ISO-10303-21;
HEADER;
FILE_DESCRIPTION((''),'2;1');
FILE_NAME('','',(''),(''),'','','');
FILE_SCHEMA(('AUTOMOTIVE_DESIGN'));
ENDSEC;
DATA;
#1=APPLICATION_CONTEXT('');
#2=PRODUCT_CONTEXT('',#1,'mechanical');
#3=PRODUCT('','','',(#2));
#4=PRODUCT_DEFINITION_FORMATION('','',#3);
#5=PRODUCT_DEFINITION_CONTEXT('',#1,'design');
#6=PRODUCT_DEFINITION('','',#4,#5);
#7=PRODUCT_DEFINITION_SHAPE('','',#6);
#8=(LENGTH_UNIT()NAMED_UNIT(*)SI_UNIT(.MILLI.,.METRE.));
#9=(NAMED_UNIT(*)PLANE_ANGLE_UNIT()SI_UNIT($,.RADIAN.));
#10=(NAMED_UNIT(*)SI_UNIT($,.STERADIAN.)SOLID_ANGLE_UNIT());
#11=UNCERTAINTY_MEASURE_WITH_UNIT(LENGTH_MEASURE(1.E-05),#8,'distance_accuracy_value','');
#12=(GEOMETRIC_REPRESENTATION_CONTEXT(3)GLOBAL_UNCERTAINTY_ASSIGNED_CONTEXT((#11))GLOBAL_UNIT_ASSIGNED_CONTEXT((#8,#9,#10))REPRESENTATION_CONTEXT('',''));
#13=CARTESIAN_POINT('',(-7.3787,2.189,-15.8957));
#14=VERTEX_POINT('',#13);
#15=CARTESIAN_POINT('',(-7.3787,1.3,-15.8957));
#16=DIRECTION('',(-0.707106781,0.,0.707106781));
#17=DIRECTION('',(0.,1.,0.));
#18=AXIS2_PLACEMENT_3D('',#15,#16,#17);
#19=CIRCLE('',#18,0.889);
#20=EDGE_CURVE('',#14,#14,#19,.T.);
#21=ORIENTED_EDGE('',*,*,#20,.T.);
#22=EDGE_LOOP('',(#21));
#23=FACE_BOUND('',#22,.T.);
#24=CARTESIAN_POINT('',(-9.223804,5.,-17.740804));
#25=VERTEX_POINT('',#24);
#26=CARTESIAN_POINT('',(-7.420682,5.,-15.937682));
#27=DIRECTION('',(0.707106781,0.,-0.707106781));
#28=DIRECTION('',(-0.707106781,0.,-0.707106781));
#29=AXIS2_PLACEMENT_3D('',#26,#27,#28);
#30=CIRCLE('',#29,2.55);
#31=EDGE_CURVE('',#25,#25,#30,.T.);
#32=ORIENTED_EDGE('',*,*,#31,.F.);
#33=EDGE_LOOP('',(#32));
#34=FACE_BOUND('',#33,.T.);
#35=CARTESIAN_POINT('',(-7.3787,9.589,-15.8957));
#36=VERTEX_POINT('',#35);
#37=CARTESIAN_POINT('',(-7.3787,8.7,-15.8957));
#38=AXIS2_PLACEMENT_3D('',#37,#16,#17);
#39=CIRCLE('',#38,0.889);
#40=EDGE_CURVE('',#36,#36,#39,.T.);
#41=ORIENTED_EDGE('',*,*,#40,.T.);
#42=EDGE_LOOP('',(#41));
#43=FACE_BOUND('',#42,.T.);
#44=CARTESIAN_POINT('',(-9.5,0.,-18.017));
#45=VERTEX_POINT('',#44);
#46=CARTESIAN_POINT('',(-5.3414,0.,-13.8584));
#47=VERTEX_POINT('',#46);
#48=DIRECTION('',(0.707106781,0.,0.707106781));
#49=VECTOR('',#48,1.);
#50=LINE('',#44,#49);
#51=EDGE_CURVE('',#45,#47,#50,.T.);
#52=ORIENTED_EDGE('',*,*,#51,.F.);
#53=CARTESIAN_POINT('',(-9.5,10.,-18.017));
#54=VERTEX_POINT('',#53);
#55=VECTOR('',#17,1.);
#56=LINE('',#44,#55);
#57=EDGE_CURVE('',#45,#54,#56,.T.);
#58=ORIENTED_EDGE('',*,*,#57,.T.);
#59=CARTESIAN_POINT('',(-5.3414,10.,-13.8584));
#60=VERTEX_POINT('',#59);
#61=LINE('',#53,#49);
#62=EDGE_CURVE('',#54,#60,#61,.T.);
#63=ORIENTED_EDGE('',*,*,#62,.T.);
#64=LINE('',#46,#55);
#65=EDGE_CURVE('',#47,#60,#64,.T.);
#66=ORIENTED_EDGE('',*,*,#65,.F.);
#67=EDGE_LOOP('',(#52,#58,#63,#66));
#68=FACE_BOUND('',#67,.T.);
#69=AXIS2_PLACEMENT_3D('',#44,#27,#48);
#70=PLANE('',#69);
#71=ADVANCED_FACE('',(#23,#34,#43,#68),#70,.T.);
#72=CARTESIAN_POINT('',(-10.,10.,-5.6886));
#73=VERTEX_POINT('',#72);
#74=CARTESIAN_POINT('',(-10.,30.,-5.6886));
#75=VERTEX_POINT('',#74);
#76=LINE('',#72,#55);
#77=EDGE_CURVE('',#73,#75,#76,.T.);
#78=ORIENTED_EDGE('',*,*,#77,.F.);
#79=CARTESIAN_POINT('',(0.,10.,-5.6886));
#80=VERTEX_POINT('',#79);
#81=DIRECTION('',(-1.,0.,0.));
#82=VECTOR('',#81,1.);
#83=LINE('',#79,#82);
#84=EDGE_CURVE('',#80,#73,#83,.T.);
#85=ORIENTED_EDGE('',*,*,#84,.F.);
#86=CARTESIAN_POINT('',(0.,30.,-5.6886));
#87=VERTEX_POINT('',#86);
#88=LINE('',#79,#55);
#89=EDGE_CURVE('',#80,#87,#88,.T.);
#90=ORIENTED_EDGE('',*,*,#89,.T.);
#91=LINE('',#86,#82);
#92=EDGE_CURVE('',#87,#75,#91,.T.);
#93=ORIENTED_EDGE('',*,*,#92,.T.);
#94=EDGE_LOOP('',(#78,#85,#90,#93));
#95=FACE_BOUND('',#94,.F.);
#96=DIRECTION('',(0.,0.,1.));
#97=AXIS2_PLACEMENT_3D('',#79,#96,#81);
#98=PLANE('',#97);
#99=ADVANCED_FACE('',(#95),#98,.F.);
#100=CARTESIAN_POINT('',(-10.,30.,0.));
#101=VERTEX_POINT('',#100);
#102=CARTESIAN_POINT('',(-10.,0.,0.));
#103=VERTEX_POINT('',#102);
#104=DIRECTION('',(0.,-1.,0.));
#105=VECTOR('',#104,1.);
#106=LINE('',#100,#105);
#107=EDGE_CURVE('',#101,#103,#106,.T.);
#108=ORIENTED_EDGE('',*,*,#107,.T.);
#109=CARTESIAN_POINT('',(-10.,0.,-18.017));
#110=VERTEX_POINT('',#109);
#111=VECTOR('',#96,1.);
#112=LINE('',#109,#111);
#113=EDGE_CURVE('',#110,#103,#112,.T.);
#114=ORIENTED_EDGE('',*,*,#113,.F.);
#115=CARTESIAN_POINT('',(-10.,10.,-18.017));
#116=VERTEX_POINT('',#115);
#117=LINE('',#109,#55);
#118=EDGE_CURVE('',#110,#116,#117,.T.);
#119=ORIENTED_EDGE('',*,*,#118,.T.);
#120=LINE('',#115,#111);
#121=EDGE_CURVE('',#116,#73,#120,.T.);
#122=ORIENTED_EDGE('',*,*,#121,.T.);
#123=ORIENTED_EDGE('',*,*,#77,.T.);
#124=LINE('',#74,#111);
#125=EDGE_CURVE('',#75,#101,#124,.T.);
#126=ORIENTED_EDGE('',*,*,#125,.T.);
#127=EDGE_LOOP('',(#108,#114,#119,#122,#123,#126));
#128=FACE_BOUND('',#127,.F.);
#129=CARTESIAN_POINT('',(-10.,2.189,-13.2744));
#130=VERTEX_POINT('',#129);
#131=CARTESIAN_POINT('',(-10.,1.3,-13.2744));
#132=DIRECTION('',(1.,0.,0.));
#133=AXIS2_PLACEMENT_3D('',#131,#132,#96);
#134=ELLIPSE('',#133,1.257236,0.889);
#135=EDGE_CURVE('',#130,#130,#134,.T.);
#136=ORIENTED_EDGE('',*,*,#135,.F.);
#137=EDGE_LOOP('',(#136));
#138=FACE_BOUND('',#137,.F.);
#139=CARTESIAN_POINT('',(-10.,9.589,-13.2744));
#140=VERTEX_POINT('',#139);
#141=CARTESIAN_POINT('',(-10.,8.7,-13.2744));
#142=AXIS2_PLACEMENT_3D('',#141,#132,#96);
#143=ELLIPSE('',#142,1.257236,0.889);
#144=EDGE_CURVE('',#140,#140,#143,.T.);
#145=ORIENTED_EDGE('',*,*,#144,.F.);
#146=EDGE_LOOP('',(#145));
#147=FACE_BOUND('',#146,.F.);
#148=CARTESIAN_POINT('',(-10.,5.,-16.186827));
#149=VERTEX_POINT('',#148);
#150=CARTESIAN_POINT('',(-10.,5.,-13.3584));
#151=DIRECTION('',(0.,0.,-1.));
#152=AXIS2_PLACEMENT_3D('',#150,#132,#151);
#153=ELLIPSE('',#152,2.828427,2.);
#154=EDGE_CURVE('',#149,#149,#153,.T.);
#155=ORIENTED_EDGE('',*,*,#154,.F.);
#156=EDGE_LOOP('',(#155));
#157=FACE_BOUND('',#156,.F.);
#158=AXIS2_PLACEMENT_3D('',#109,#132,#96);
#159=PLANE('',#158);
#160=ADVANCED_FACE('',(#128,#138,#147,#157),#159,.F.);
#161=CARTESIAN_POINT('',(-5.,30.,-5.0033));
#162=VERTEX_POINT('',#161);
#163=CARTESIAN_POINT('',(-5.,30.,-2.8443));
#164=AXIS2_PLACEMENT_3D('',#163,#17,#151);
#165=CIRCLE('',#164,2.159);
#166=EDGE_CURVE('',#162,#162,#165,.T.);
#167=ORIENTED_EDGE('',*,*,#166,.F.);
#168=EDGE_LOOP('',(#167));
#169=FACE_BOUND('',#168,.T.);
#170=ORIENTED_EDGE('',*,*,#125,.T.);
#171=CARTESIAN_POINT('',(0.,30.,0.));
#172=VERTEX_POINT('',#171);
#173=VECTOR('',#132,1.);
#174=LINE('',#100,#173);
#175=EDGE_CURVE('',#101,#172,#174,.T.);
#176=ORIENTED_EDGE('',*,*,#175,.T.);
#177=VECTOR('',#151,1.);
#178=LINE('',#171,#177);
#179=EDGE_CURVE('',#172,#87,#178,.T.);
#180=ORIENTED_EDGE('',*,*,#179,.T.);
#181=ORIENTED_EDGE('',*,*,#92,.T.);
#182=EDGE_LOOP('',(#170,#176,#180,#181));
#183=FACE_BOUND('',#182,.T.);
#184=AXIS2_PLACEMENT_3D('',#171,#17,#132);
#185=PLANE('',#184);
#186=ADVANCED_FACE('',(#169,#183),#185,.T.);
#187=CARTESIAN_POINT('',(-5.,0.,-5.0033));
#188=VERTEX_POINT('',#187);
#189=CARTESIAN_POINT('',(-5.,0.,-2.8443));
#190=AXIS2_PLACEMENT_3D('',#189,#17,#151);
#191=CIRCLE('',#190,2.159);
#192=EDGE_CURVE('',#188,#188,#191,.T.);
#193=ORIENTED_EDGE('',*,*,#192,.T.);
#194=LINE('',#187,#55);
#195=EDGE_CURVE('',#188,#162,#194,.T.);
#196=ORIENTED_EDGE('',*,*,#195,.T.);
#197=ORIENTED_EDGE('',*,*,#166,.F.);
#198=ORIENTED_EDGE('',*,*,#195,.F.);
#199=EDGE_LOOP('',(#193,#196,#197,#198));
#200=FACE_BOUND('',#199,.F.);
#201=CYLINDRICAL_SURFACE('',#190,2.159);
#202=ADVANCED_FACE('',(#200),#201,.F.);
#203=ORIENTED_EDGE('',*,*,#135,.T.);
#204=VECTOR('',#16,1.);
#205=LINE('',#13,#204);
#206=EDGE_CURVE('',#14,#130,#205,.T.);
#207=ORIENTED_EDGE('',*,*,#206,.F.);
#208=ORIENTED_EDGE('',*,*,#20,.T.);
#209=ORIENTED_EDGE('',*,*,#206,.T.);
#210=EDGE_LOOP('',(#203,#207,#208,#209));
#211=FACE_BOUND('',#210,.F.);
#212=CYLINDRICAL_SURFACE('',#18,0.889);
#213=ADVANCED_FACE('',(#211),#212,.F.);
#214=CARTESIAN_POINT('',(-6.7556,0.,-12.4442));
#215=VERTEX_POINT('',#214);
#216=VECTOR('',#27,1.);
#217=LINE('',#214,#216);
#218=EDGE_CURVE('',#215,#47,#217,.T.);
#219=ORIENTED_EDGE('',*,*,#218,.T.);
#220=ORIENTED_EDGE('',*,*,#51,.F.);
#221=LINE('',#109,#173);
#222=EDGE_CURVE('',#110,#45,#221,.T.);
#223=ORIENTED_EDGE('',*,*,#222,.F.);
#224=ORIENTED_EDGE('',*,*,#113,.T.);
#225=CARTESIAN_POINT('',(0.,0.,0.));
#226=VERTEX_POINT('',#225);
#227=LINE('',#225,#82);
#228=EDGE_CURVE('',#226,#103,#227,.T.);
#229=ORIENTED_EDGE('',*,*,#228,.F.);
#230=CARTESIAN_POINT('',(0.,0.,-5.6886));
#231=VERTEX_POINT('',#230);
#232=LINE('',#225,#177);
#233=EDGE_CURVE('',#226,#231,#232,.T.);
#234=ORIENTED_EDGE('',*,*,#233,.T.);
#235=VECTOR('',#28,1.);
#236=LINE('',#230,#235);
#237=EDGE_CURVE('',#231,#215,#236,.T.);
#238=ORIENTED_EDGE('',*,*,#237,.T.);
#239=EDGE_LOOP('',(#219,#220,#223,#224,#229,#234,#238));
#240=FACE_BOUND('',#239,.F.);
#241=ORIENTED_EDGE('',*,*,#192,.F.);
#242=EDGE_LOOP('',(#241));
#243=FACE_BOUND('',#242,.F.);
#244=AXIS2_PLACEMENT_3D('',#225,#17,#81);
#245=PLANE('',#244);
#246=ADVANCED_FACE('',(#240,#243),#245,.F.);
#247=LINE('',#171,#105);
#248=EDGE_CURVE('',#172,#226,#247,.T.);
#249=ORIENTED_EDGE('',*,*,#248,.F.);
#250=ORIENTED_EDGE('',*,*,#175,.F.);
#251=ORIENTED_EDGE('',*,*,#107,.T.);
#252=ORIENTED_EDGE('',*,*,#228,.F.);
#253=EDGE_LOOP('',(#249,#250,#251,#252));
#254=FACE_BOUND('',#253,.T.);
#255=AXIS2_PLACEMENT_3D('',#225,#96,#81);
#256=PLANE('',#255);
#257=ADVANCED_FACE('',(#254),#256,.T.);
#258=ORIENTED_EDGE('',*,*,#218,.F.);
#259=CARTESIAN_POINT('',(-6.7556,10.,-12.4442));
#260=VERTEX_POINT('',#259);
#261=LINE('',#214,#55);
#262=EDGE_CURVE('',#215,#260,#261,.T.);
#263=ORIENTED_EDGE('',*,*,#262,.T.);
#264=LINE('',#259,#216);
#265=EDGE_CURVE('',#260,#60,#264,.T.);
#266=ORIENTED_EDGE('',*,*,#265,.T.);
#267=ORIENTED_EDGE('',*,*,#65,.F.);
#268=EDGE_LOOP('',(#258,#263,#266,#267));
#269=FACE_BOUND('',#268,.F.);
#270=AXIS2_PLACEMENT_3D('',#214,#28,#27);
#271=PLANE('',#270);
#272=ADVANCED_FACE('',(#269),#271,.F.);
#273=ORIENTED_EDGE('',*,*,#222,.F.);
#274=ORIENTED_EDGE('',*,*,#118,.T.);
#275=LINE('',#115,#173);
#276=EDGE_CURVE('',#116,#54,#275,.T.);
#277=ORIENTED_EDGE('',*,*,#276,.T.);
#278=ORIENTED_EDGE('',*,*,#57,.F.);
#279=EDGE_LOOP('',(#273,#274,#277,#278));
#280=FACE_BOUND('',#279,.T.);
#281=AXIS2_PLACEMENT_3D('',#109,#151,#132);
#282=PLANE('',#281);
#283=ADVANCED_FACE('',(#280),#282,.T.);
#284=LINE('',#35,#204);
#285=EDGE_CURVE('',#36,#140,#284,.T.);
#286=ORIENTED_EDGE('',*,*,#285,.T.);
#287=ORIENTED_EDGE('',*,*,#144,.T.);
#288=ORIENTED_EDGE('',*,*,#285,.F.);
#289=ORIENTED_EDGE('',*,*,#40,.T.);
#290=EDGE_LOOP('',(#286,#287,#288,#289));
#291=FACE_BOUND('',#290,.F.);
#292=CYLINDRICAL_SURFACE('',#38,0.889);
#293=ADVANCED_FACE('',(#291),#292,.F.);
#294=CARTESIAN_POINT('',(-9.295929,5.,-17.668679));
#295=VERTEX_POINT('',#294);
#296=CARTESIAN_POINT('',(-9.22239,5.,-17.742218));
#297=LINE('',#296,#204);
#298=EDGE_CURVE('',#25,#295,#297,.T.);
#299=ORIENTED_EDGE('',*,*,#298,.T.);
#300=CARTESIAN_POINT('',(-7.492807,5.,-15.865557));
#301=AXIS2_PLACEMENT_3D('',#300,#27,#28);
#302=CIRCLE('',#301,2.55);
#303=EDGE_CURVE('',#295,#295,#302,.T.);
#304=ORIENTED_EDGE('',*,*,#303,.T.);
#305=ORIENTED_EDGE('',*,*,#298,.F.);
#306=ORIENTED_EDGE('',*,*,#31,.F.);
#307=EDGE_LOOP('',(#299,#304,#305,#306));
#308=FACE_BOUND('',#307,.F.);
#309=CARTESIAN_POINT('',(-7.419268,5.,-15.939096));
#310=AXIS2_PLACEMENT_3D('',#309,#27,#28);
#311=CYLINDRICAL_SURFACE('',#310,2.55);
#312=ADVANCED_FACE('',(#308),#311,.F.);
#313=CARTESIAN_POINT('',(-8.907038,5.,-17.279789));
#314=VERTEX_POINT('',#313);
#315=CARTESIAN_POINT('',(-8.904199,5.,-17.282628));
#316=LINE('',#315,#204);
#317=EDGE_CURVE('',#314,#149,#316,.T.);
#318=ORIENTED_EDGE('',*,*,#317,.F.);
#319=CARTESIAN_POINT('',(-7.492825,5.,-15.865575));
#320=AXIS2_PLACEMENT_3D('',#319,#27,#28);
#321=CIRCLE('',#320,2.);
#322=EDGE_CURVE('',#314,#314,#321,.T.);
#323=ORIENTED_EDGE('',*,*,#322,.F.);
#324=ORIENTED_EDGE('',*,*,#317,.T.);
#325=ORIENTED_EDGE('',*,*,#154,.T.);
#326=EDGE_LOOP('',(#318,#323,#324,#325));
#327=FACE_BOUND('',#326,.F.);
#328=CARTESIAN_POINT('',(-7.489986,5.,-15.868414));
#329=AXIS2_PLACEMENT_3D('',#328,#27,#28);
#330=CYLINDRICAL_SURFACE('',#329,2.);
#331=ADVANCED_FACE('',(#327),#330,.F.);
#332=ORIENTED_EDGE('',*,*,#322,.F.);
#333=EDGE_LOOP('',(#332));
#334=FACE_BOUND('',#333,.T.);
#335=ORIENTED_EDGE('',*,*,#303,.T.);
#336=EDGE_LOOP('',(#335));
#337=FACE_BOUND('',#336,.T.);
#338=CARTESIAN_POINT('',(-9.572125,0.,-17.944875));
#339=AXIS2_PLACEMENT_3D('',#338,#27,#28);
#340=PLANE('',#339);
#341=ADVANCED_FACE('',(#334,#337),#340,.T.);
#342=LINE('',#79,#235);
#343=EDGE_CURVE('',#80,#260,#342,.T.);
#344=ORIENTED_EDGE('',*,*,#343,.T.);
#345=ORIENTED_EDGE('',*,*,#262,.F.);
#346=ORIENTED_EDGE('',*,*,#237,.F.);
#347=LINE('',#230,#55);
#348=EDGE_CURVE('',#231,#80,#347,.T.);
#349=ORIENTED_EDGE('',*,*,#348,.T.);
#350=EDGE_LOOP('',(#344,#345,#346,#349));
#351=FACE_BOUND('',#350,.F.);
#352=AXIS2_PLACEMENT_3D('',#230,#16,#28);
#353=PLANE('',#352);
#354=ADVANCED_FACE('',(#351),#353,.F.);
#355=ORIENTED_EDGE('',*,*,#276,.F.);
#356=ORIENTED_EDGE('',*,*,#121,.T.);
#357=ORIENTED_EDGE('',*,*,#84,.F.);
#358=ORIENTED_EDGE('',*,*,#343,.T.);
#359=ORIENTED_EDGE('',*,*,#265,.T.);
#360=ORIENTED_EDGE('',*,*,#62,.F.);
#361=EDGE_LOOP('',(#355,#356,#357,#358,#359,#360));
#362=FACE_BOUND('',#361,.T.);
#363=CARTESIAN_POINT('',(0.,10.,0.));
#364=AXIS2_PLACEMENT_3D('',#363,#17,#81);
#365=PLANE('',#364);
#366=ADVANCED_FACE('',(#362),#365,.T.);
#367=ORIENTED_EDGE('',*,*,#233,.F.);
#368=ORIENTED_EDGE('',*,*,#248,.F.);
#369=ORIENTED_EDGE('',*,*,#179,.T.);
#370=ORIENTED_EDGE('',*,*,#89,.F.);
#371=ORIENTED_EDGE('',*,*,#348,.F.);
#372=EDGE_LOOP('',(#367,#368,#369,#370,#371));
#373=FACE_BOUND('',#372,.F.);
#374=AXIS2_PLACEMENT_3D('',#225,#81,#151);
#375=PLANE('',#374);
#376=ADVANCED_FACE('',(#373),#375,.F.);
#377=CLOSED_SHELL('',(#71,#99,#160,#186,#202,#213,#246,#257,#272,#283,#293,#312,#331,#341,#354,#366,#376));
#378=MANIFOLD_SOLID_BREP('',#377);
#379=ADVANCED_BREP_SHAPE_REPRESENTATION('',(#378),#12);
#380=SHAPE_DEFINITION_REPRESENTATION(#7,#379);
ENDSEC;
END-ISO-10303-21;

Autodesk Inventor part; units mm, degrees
ref_plane "YZ Plane" through (0, 0, 0) normal (1, 0, 0) x (0, 1, 0)
ref_plane "XZ Plane" through (0, 0, 0) normal (0, 1, 0) x (-1, 0, 0)
ref_plane "XY Plane" through (0, 0, 0) normal (0, 0, 1) x (1, 0, 0)
sketch "Sketch1" plane through (0, 0, 0) normal (0, 1, 0) x (-1, 0, 0)
  line L0 (0, -5.6886) -> (6.7556, -12.4442)
  line L1 (6.7556, -12.4442) -> (5.3414, -13.8584)
  line L2 (9.5, -18.017) -> (5.3414, -13.8584)
  line L3 (10, -18.017) -> (9.5, -18.017)
  line L4 (10, -18.017) -> (10, 0)
  line L5 (0, 0) -> (10, 0)
  line L6 (0, 0) -> (0, -5.6886)
  circle A0 centre (5, -2.8443) radius 1.339
extrude "Extrusion1" add sketch "Sketch1" along normal blind 10
sketch "Sketch2" plane through (0, 10, 0) normal (0, 1, 0) x (1, 0, 0)
  line L0 (0, 5.6886) -> (-10, 5.6886)
  line L1 (-10, 5.6886) -> (-10, 0)
  line L2 (-10, 0) -> (0, 0)
  line L3 (0, 0) -> (0, 5.6886)
extrude "Extrusion2" add sketch "Sketch2" along normal blind 20
sketch "Sketch3" plane through (0, 0, 0) normal (0, -1, 0) x (1, 0, 0)
  circle A0 centre (-5, -2.8443) radius 1.339 projected
hole "Hole1" at (-5, 0, -2.8443) direction (0, 1, 0) diameter 4.318 depth 31 tip angle 118
sketch "Sketch4" plane through (-9.5, 0, -18.017) normal (0.7071, 0, -0.7071) x (-0.7071, 0, -0.7071)
  circle A0 centre (-2.9406, 5) radius 2.55
  point P0 (-19.4575, 0)
  dimension "d11" = 5.1
extrude "Extrusion3" cut sketch "Sketch4" against normal blind 0.1
sketch "Sketch5" plane through (-7.4914, 5, -15.867) normal (0.7071, 0, -0.7071) x (-0.7071, 0, -0.7071)
  circle A0 centre (0, 0) radius 2
  point P0 (-16.5169, -5)
  dimension "d15" = 4
extrude "Extrusion4" cut sketch "Sketch5" against normal blind 10
sketch "Sketch6" plane through (-9.5, 0, -18.017) normal (0.7071, 0, -0.7071) x (-0.7071, 0, -0.7071)
  circle A0 centre (-2.9406, 5) radius 2.55 projected
  line L0 (-5.8811, 0) -> (0, 0) projected
  line L1 (0, 0) -> (0, 10) projected
  line L2 (-5.8811, 10) -> (0, 10) projected
  line L3 (-5.8811, 0) -> (-5.8811, 10) projected
  point P0 (-19.4575, 0)
hole "Hole2" at (-7.3787, 1.3, -15.8957) direction (-0.7071, 0, 0.7071) diameter 1.778 depth 8 tip angle 118 clearance for "Flat Head Machine Screw (82)" size "#0" standard "Ansi Unified Screw Threads"
hole "Hole3" at (-7.3787, 8.7, -15.8957) direction (-0.7071, 0, 0.7071) diameter 1.778 depth 8 tip angle 118 clearance for "Flat Head Machine Screw (82)" size "#0" standard "Ansi Unified Screw Threads"
properties part number "recessedCoverslip_v1"
